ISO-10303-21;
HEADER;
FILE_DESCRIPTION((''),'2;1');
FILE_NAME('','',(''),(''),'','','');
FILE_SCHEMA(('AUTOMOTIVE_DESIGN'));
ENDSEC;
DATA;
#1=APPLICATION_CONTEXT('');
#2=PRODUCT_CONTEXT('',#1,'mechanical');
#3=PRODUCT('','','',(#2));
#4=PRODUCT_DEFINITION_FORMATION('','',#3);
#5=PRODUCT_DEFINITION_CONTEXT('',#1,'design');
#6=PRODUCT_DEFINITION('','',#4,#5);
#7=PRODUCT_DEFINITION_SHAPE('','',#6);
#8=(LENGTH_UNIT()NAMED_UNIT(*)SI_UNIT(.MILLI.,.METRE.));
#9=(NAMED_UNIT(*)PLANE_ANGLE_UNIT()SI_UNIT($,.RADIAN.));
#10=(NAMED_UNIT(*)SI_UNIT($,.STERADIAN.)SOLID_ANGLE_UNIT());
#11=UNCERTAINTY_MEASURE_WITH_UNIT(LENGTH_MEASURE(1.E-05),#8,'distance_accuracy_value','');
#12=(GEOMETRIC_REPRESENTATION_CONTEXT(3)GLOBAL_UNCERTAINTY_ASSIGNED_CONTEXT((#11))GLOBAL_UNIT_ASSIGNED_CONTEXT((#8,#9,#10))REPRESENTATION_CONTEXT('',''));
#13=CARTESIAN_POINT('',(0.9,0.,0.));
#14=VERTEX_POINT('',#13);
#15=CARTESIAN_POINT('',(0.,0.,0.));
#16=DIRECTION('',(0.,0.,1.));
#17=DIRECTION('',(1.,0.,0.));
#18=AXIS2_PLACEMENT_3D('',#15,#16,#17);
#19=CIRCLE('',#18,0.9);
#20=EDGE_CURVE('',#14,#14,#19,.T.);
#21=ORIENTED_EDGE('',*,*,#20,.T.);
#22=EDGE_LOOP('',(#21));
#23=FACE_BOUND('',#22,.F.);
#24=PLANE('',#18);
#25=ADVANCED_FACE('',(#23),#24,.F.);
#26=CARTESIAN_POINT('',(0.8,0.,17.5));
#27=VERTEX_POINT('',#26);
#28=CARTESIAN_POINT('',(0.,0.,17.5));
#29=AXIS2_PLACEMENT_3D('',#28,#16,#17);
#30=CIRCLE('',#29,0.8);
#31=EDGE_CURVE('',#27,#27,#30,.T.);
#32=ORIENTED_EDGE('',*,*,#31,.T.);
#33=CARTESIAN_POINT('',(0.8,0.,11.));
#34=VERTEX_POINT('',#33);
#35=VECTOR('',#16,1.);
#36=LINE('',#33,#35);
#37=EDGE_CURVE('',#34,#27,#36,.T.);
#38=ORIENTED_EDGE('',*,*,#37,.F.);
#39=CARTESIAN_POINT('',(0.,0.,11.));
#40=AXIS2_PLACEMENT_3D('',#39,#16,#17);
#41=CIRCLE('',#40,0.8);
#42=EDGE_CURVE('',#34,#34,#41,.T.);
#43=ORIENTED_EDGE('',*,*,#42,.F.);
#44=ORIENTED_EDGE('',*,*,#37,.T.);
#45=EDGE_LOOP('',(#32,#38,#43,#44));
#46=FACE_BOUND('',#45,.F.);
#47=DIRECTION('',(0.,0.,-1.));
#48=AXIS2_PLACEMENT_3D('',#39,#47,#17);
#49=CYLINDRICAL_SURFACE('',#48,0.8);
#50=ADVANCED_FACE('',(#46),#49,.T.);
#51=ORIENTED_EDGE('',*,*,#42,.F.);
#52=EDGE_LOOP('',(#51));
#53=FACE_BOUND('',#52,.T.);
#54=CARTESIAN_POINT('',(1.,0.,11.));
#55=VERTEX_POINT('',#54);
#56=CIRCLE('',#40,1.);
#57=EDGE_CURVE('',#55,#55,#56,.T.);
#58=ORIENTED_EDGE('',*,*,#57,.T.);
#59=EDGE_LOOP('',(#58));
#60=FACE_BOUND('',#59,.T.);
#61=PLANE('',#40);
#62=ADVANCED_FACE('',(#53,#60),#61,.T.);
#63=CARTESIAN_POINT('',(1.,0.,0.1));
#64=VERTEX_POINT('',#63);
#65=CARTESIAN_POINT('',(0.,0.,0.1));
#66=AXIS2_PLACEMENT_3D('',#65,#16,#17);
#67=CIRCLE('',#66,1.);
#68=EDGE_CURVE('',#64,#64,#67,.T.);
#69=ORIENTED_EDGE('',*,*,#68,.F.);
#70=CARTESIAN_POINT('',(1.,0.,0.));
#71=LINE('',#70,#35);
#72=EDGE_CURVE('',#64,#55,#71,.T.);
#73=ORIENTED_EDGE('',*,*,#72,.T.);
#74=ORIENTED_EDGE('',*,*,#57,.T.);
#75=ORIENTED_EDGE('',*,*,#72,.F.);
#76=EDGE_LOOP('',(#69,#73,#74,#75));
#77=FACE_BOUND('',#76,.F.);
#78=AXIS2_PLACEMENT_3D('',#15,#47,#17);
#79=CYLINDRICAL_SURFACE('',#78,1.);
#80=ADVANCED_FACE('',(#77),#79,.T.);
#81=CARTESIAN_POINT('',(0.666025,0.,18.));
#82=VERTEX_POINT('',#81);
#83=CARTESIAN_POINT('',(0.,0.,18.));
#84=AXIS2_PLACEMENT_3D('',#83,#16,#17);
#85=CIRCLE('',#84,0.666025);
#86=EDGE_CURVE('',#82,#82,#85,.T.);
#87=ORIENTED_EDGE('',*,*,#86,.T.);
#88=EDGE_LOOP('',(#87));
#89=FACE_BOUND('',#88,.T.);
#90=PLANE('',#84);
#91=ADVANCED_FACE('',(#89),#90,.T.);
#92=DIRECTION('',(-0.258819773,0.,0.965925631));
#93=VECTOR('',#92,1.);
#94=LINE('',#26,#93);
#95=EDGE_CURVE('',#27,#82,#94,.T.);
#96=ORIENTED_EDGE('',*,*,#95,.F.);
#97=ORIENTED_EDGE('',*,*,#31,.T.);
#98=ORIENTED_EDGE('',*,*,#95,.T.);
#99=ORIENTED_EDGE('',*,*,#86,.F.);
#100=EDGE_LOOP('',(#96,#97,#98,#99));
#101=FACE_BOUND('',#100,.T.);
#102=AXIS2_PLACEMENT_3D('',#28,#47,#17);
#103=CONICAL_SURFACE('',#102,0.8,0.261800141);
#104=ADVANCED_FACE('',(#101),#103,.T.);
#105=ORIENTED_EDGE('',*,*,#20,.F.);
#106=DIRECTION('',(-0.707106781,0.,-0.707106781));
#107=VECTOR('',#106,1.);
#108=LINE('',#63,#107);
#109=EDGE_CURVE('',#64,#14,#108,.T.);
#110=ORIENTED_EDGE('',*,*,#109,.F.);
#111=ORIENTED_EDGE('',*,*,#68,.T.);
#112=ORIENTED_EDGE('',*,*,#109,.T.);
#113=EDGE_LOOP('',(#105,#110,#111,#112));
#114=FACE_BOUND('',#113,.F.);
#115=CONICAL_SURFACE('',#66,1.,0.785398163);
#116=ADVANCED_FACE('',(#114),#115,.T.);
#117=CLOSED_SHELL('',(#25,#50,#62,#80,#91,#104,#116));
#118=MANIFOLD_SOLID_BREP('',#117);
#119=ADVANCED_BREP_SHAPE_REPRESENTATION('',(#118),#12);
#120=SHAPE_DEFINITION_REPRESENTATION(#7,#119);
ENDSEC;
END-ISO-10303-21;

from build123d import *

# Parameters (mm, degrees)
F0_R     = 1
F1_DEPTH = 11
F2_R     = 0.8
F3_DEPTH = 7
F4_SIZE  = 0.1
F5_SIZE2 = 0.133975
F5_SIZE  = 0.5


with BuildPart() as f1:
    # F0 (on Top) → F1 (new body)
    with BuildSketch(Plane.XY):
        Circle(F0_R)
    extrude(amount=F1_DEPTH)

    # F2 (on face) → F3 (join)
    with BuildSketch(Plane.XY.offset(11)):
        Circle(F2_R)
    extrude(amount=F3_DEPTH)

    # F4
    f4_edges = [f1.edges().sort_by_distance(p)[0] for p in [
        (-1, 0, 0),
    ]]
    chamfer(f4_edges, length=F4_SIZE)

    # F5
    f5_edges = [f1.edges().sort_by_distance(p)[0] for p in [
        (-0.8, 0, 18),
    ]]
    chamfer(f5_edges, length=F5_SIZE, length2=F5_SIZE2)


solid = f1.part
